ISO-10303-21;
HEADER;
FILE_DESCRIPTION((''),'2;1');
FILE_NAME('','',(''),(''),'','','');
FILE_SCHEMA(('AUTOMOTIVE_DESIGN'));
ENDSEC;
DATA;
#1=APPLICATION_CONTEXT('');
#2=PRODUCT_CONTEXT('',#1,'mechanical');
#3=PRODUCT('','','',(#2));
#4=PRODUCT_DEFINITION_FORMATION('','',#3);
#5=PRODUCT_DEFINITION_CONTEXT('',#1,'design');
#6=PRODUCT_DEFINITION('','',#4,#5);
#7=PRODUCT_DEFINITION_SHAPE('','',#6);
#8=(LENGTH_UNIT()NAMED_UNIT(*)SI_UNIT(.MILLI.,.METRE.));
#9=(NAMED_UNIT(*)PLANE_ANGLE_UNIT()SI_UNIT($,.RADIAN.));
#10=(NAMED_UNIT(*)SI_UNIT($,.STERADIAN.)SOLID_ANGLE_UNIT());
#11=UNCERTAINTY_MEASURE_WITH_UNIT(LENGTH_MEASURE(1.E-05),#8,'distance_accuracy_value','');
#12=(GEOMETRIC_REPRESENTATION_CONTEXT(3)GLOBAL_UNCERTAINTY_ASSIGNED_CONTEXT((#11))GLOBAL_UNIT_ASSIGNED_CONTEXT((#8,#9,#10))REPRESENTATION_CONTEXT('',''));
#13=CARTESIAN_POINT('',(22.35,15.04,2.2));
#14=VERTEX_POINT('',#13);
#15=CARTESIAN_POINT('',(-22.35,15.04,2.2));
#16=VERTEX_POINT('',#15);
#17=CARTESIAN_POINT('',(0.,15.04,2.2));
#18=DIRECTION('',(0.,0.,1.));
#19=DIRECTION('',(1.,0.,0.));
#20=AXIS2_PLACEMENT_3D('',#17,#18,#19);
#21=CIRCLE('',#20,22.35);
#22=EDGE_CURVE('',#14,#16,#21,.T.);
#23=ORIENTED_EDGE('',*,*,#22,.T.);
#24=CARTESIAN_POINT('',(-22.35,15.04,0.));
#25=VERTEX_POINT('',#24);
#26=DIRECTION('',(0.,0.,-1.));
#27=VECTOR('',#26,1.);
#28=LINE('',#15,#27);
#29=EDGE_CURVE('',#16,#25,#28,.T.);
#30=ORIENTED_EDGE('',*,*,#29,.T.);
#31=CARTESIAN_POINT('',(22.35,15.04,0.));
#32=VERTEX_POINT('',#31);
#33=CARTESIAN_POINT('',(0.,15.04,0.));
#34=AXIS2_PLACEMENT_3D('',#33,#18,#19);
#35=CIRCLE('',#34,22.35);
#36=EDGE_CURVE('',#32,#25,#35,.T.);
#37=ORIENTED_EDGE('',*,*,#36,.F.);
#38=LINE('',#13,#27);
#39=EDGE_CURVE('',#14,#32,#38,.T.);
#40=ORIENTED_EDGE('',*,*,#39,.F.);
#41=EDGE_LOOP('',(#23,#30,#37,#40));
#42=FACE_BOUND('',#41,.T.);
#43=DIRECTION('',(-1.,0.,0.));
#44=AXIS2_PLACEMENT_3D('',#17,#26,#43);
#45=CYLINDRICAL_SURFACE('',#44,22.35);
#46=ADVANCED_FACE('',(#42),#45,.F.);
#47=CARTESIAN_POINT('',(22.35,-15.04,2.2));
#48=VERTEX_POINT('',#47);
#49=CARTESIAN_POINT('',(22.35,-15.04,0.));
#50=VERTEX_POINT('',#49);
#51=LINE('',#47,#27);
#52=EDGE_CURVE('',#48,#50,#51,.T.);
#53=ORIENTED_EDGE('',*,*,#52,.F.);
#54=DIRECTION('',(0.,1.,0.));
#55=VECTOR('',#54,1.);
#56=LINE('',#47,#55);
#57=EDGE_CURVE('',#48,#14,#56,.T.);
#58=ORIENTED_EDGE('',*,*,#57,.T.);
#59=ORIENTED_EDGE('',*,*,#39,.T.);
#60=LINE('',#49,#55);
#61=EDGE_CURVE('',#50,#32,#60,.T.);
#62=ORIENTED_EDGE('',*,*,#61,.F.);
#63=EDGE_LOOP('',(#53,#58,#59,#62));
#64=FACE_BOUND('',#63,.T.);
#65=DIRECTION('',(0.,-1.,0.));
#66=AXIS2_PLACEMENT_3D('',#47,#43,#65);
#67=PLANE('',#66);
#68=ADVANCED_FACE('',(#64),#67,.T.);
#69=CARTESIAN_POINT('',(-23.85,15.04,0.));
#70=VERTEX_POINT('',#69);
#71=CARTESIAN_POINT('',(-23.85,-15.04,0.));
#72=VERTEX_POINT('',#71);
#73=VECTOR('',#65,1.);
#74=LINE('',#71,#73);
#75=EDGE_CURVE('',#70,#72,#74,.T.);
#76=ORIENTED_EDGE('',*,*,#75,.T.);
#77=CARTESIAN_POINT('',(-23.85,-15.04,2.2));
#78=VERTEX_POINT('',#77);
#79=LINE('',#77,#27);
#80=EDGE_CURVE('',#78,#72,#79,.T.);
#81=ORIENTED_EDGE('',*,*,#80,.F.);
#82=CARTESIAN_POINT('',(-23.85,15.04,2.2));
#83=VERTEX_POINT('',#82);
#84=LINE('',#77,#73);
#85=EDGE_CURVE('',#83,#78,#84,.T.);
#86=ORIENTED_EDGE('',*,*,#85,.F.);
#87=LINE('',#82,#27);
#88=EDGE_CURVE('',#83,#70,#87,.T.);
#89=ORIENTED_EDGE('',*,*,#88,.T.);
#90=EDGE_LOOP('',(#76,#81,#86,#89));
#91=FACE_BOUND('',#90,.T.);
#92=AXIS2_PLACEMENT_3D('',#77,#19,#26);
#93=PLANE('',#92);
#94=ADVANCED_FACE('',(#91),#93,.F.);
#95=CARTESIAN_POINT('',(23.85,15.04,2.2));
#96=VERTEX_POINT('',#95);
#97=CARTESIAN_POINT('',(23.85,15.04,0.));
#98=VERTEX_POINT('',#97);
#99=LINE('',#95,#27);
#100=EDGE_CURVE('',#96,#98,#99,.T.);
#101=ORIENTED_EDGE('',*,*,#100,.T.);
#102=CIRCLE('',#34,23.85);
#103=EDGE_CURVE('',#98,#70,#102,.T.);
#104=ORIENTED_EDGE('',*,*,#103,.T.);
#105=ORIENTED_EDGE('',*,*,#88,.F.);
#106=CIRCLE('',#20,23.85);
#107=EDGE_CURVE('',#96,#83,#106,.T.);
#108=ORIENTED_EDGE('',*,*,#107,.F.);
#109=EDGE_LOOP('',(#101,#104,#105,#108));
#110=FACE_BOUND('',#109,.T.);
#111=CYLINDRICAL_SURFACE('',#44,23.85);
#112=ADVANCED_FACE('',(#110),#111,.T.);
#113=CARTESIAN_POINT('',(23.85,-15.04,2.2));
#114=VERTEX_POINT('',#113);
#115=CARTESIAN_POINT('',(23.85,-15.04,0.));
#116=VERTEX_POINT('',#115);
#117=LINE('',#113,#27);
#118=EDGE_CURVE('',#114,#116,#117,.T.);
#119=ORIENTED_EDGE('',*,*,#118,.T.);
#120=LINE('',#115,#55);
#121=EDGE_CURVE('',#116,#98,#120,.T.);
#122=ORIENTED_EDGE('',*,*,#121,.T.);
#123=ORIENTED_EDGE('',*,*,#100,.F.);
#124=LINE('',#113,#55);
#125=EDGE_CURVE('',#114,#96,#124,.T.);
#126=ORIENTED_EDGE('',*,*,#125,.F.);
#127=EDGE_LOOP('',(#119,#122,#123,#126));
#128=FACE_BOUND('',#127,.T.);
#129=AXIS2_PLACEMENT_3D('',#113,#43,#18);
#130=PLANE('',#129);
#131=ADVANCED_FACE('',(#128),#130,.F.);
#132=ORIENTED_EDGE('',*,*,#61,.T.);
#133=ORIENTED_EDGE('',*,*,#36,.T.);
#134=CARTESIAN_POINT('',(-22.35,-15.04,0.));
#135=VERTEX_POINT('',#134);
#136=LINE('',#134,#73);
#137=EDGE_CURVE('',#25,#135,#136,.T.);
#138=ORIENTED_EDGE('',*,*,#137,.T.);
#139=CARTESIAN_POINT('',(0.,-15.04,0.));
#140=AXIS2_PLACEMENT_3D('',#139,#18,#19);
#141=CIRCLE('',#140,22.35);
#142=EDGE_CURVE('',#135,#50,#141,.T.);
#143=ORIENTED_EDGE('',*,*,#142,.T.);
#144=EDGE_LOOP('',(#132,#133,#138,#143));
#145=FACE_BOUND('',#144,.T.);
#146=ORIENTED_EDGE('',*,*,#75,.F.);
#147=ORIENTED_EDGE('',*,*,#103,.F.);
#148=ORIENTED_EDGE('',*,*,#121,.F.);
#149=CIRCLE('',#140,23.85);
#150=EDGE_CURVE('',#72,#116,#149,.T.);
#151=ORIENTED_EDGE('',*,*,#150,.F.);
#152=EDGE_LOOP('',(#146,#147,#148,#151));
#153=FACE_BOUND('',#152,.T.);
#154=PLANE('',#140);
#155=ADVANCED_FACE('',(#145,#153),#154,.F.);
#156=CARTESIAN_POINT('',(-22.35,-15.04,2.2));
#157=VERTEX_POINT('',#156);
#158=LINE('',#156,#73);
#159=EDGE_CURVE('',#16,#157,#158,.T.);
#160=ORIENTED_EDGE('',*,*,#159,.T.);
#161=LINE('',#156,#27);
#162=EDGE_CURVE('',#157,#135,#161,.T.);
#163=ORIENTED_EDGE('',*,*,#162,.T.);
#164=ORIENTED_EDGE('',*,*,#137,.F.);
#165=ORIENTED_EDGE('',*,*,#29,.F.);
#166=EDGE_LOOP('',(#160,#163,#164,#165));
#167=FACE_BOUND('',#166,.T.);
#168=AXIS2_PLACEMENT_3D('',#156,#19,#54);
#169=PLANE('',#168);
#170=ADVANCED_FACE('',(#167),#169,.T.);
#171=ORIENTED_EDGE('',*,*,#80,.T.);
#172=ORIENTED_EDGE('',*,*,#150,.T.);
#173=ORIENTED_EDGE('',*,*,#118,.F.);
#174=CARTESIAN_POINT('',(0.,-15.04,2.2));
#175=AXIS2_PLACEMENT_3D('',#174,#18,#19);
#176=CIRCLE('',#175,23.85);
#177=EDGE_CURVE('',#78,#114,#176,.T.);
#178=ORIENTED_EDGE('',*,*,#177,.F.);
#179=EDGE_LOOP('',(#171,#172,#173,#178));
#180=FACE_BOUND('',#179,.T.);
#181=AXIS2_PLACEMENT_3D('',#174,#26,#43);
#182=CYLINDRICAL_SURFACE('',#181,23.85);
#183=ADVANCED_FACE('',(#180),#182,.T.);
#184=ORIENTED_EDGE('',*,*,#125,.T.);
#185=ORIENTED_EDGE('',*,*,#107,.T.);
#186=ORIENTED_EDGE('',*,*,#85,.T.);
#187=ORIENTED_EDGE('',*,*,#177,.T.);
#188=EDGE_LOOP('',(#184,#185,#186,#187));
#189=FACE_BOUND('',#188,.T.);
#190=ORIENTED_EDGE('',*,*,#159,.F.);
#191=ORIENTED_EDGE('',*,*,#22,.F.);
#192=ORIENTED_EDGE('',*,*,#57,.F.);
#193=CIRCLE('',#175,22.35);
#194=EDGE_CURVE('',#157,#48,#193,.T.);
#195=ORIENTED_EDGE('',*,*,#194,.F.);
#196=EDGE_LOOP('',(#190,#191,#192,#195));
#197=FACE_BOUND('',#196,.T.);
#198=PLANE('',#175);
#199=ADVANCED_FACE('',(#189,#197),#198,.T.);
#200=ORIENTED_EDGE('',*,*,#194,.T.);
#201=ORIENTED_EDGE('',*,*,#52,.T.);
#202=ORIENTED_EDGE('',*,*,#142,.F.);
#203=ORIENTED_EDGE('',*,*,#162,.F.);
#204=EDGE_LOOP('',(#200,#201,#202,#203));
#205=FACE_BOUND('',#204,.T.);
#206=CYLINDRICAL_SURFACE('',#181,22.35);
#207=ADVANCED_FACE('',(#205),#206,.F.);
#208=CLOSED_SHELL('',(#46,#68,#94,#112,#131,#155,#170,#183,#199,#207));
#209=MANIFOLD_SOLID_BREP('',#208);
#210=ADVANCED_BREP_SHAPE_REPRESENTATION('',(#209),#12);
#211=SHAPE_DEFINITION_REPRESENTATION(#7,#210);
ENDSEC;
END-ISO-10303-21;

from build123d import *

# Parameters (mm, degrees)
BOSS_EXTRUDE1_DEPTH = 2.2


with BuildPart() as part:
    # Sketch1 → Boss-Extrude1 (new body)
    with BuildSketch(Plane.XY):
        with BuildLine():
            Line((-23.85, -15.04), (-23.85, 15.04))
            ThreePointArc((-23.85, 15.04), (0, 38.89), (23.85, 15.04))
            Line((23.85, 15.04), (23.85, -15.04))
            ThreePointArc((23.85, -15.04), (0, -38.89), (-23.85, -15.04))
        make_face()
        with BuildLine():
            Line((-22.35, -15.04), (-22.35, 15.04))
            ThreePointArc((-22.35, 15.04), (0, 37.39), (22.35, 15.04))
            Line((22.35, 15.04), (22.35, -15.04))
            ThreePointArc((22.35, -15.04), (0, -37.39), (-22.35, -15.04))
        make_face(mode=Mode.SUBTRACT)
    extrude(amount=BOSS_EXTRUDE1_DEPTH)


solid = part.part
